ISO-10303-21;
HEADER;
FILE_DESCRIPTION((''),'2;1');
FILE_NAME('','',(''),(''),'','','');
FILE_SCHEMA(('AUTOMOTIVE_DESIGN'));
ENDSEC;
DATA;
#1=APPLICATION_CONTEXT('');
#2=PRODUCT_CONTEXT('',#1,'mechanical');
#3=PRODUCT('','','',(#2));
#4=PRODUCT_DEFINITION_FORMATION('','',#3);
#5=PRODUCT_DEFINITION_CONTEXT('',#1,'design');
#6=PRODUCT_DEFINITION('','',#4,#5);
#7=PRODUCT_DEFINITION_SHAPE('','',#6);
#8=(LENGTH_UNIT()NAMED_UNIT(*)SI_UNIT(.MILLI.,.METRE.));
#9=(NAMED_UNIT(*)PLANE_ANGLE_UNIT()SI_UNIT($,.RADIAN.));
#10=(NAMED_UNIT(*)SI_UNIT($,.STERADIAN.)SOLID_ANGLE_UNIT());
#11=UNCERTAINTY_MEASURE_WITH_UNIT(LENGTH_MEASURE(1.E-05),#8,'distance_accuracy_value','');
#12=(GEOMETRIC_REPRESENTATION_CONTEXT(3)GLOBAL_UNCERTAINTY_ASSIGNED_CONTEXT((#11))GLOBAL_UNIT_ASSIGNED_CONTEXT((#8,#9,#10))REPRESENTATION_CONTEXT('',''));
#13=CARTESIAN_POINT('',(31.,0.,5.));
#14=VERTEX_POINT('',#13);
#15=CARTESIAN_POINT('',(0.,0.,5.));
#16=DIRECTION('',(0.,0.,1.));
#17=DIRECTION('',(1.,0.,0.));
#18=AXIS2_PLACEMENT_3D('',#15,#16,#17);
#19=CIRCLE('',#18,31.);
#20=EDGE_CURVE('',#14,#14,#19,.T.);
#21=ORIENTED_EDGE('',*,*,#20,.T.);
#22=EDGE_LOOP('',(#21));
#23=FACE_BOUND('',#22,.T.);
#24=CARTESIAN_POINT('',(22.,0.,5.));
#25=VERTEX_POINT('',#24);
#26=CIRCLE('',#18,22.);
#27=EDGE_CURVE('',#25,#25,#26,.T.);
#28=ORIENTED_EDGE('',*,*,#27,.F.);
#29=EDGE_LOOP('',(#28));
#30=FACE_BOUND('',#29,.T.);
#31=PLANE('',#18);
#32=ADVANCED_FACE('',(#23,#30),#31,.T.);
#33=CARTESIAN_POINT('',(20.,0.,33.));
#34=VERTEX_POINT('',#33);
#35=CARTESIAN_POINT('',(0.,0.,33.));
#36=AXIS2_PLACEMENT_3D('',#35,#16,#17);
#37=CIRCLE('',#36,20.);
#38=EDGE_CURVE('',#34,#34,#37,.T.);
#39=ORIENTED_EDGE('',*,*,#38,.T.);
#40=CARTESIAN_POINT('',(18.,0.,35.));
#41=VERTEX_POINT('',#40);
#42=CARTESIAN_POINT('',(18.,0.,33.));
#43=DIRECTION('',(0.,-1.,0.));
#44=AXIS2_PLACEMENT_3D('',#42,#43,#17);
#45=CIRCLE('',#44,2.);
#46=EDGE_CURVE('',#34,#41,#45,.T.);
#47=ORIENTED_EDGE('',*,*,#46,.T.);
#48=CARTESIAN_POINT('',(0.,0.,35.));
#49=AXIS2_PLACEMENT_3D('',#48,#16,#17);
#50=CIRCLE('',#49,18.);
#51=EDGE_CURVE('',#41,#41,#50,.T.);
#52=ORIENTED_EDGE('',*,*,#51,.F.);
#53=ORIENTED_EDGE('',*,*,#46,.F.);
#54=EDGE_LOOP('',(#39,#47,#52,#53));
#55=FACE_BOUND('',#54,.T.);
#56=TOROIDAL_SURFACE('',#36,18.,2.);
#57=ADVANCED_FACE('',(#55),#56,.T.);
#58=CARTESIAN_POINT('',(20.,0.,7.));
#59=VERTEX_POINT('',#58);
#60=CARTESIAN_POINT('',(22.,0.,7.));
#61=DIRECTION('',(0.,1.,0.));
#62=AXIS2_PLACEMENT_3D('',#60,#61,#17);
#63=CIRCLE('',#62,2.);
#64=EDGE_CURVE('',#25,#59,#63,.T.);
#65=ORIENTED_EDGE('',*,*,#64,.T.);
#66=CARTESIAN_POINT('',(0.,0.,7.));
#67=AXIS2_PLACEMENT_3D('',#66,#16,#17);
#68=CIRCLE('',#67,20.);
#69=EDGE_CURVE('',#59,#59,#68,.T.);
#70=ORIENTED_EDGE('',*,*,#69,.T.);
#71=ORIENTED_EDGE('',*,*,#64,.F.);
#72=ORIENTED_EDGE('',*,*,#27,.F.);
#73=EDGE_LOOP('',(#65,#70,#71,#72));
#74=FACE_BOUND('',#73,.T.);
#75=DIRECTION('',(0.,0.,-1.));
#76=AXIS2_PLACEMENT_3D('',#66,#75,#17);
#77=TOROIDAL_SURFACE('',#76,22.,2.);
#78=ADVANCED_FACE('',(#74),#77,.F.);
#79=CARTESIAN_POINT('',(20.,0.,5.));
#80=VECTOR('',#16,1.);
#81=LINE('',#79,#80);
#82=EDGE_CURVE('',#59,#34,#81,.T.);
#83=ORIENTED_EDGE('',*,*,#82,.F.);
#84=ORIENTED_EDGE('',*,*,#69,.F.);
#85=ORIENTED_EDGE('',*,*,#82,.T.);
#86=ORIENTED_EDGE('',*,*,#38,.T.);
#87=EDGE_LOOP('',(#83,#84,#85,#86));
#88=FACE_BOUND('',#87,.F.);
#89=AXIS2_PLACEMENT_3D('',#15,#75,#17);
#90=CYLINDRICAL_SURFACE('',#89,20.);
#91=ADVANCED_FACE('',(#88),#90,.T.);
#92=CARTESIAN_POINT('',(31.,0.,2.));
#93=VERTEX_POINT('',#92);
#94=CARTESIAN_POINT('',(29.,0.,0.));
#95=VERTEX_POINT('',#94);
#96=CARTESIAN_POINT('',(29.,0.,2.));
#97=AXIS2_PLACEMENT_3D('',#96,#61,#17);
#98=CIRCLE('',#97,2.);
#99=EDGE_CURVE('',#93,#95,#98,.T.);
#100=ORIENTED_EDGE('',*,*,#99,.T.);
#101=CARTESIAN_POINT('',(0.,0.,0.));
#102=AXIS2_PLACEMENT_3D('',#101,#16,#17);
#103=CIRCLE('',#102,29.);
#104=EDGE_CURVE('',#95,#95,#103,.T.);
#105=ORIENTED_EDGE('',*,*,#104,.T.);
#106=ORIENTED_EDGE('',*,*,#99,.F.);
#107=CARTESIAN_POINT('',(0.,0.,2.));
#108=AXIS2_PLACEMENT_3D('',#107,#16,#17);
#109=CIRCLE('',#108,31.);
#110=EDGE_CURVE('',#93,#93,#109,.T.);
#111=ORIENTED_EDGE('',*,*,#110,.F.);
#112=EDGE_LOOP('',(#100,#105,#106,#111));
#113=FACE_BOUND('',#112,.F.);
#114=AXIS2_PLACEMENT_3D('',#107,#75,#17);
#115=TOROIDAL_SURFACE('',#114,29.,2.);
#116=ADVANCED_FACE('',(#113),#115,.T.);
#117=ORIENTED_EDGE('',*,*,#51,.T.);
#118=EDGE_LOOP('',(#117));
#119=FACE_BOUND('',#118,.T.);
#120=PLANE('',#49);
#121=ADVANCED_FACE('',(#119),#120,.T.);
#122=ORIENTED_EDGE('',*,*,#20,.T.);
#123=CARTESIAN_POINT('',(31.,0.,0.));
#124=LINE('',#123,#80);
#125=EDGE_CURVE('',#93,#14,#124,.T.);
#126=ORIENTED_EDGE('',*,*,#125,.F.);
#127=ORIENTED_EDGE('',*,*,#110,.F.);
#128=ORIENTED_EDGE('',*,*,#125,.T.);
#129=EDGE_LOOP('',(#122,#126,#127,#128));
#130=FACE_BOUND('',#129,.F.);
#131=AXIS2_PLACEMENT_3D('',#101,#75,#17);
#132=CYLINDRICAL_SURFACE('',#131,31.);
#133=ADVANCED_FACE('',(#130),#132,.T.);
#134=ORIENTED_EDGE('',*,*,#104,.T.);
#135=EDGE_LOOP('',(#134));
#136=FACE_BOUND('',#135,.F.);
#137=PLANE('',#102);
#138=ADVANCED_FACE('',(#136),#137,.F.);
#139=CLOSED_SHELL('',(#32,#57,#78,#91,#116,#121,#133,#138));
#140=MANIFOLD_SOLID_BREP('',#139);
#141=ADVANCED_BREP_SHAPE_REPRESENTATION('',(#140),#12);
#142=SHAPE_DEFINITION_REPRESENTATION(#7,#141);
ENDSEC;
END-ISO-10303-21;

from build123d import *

# Parameters (mm, degrees)
F0_R     = 31
F1_DEPTH = 5
F2_R     = 20
F3_DEPTH = 30
F4_R     = 2


with BuildPart() as f1:
    # F0 (on Top) → F1 (new body)
    with BuildSketch(Plane.XY):
        Circle(F0_R)
    extrude(amount=F1_DEPTH)

    # F2 (on face) → F3 (join)
    with BuildSketch(Plane.XY.offset(5)):
        Circle(F2_R)
    extrude(amount=F3_DEPTH)

    # F4
    f4_edges = [f1.edges().sort_by_distance(p)[0] for p in [
        (-20, 0, 35),
        (-20, 0, 5),
        (-31, 0, 0),
    ]]
    fillet(f4_edges, radius=F4_R)


solid = f1.part
